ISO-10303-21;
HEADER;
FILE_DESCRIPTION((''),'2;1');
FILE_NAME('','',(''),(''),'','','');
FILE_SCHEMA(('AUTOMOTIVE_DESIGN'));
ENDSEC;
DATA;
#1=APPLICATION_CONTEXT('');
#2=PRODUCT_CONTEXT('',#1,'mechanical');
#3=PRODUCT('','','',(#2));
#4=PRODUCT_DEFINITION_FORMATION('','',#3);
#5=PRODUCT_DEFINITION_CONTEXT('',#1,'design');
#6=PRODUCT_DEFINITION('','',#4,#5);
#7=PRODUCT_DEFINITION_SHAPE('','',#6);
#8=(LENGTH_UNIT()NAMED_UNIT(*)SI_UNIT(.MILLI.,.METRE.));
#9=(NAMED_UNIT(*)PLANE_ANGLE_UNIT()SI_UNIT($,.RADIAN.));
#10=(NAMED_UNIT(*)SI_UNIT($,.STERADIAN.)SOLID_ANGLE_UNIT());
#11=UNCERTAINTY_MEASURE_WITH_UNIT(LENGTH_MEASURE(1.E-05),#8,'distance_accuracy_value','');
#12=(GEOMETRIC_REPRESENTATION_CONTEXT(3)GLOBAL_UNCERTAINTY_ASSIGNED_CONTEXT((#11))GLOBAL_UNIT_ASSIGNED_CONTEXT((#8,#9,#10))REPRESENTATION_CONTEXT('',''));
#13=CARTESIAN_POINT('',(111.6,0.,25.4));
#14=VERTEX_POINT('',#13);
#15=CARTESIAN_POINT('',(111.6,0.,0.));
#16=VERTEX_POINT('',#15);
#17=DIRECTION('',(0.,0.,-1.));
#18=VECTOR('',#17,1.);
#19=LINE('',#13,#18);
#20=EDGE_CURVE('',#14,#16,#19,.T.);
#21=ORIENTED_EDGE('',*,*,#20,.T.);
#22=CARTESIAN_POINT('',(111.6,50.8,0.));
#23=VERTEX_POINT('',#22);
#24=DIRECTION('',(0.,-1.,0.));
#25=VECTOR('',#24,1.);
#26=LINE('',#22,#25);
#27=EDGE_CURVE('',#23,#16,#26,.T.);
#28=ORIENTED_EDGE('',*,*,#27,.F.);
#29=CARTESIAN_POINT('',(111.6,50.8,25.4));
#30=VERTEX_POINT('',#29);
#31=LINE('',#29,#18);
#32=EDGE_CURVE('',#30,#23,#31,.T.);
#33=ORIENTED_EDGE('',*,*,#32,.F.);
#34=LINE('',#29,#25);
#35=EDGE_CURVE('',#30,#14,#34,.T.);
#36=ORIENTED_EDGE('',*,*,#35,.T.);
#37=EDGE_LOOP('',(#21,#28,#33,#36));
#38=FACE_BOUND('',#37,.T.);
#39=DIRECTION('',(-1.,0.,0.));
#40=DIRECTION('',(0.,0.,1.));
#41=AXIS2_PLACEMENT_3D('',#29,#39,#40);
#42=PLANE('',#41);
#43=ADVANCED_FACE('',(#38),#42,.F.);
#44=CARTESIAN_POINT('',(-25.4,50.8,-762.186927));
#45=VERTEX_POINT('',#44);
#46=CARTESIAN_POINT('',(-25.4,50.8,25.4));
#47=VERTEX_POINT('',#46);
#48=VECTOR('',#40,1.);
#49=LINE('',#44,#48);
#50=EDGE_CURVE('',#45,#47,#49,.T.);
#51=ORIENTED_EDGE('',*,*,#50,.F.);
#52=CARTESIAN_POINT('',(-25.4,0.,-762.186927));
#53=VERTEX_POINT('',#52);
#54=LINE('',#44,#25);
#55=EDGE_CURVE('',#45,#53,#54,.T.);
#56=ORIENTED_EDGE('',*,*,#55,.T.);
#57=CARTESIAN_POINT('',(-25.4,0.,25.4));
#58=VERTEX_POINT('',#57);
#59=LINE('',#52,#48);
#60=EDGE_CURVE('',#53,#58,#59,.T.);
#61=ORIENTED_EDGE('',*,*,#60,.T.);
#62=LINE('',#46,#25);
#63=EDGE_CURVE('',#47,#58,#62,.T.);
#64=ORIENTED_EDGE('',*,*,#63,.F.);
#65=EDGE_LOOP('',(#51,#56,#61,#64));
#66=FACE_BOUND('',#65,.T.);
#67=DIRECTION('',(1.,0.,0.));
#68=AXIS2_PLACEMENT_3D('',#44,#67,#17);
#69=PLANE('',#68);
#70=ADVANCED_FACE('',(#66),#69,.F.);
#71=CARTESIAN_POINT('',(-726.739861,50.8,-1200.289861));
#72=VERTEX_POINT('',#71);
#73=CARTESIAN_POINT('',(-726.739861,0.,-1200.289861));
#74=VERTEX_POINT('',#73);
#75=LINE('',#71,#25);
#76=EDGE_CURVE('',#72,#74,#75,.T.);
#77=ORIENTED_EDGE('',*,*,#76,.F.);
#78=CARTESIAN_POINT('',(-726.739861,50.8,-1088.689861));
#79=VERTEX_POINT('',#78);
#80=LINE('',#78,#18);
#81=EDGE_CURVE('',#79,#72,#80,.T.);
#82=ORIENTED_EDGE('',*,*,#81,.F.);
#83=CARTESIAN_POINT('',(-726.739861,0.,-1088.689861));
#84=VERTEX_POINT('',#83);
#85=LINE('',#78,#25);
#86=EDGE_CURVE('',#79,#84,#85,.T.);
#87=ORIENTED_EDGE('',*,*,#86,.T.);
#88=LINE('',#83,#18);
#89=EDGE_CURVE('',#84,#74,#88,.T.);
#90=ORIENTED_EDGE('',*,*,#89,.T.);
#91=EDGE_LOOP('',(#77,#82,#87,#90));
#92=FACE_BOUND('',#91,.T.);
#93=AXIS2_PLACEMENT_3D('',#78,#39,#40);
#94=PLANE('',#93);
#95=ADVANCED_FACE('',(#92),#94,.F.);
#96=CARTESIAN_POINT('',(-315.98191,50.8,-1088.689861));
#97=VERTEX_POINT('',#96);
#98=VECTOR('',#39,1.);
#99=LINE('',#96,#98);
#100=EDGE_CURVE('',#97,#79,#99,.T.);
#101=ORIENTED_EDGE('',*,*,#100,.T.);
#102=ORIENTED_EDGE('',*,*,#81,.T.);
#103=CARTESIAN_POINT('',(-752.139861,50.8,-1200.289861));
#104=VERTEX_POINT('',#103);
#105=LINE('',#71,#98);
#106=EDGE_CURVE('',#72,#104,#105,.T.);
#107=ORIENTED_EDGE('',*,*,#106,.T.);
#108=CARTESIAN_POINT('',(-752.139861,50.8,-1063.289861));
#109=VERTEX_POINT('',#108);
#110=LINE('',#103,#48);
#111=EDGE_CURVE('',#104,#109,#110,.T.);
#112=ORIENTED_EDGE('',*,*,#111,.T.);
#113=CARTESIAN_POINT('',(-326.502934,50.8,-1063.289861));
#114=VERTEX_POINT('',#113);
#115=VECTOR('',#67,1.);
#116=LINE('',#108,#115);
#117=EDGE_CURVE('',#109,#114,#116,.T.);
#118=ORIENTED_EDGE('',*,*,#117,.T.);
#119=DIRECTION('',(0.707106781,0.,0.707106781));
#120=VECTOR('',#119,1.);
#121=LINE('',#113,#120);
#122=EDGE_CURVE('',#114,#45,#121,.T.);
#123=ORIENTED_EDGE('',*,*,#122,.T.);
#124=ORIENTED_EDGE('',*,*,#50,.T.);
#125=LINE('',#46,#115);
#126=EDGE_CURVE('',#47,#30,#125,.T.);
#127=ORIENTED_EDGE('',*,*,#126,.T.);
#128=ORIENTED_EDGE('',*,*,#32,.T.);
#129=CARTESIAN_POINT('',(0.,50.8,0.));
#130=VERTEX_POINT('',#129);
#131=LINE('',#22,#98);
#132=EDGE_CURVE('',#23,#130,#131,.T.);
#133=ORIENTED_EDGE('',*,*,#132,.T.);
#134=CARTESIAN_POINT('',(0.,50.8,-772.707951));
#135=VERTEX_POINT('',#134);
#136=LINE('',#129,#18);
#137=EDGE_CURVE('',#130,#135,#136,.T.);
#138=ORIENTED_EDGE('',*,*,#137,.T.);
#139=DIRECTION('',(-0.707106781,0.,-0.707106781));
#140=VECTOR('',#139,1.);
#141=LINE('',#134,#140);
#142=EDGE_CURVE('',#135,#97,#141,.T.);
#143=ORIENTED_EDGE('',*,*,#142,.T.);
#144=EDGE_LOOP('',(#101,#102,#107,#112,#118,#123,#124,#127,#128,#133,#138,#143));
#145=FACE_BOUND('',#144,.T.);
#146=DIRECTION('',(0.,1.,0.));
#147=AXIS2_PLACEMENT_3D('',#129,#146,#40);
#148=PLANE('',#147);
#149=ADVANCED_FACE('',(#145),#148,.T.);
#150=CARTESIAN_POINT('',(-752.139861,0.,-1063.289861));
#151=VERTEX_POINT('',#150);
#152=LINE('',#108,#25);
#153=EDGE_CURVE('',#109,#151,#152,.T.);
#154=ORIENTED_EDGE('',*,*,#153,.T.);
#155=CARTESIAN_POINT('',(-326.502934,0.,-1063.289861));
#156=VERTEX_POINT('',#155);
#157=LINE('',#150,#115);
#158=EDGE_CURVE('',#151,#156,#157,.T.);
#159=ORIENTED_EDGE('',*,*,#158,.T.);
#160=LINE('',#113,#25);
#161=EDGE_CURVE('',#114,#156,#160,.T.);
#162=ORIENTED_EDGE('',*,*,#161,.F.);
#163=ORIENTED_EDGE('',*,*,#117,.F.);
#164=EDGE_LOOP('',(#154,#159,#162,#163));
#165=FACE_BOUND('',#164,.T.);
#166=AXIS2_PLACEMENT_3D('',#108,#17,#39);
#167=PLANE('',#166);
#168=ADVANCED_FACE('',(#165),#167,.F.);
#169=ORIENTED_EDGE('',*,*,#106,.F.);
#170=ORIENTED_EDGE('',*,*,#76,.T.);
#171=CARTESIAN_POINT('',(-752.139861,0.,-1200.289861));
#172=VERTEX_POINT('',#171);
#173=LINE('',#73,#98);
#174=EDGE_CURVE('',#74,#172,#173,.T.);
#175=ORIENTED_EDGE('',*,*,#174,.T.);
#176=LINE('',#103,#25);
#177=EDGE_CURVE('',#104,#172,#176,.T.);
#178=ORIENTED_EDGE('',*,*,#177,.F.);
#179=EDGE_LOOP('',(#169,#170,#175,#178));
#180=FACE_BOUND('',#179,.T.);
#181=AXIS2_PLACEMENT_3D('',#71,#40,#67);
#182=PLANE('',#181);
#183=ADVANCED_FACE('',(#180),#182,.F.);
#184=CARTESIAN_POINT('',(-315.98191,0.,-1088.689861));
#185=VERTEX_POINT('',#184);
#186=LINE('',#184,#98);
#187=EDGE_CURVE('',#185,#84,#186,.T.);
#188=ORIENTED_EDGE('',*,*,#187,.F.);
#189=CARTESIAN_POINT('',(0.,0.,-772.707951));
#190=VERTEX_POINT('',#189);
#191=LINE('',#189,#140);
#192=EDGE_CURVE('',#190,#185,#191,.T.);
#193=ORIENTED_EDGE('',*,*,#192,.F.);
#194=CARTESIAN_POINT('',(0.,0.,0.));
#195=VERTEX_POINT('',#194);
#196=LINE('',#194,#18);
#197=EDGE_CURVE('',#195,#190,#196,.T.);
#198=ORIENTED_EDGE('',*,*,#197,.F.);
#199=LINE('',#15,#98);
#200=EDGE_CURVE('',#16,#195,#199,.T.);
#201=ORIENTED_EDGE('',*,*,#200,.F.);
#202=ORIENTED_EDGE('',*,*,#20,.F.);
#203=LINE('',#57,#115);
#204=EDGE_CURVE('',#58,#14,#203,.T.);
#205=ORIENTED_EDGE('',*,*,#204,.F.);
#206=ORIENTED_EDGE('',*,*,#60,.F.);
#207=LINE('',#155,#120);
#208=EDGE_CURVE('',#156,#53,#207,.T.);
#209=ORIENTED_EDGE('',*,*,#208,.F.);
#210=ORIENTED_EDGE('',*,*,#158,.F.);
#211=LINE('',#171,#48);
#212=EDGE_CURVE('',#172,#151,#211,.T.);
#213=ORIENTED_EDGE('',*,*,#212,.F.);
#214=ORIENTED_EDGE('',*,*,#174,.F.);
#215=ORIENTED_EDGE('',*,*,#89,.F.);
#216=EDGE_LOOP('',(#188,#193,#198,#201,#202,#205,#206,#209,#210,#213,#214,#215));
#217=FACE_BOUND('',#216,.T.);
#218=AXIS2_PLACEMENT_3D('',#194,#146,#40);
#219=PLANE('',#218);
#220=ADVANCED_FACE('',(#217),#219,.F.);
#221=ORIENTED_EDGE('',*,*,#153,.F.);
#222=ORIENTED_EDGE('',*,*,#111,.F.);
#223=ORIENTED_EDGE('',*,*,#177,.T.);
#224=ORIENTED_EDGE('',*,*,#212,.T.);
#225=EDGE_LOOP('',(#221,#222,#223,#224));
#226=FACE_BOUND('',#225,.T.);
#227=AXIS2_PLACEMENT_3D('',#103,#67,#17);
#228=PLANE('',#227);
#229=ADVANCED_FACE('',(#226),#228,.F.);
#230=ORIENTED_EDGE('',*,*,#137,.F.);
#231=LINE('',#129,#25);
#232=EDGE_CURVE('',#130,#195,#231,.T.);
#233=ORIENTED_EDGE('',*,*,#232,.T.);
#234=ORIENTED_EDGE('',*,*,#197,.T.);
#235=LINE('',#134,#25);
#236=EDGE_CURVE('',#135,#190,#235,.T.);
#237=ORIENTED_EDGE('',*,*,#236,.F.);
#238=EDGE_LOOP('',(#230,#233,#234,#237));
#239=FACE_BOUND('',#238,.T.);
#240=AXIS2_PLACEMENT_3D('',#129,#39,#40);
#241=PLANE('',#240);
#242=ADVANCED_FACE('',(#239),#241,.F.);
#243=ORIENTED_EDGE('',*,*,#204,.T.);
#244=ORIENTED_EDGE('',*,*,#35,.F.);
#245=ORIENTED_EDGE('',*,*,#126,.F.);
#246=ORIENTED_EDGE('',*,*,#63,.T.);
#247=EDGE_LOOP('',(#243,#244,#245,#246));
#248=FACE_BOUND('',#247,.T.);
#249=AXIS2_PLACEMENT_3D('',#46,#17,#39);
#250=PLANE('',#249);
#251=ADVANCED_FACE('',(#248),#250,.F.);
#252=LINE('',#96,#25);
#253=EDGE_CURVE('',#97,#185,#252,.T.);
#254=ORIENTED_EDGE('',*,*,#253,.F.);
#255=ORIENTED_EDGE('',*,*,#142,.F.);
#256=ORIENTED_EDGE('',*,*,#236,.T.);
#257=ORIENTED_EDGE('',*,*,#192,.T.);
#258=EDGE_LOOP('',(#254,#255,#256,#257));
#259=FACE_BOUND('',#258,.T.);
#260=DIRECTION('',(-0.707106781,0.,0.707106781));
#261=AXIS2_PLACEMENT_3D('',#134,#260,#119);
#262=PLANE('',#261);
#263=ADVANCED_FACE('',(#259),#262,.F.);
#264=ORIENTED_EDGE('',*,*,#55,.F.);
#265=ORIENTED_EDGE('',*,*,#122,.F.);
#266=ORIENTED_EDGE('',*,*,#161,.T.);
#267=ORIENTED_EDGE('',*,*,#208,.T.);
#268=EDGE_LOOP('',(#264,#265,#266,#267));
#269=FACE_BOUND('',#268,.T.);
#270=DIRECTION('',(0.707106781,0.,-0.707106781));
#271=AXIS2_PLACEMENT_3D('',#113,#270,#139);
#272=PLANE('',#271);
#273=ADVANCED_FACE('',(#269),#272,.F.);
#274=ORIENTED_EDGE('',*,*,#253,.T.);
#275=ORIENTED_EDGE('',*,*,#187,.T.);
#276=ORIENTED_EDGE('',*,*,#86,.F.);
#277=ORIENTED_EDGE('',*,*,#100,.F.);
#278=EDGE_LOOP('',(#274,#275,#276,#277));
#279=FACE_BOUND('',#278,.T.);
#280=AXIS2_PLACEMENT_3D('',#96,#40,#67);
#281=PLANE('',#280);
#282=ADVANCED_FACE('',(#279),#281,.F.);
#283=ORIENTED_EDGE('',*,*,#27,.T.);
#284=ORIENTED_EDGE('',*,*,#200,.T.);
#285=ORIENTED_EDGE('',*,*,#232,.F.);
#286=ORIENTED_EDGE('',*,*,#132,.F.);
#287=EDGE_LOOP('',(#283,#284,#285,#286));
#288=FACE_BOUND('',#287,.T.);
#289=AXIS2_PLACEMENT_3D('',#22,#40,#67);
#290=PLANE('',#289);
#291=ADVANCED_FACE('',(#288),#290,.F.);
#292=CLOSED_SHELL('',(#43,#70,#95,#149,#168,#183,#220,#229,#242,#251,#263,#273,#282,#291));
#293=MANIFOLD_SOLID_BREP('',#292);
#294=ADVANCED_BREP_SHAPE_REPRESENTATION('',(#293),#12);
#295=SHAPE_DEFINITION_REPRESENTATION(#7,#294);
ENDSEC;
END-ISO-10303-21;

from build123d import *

# Parameters (mm, degrees)
BOSS_EXTRUDE1_DEPTH = 50.8


with BuildPart() as part:
    # Sketch1 → Boss-Extrude1 (new body)
    with BuildSketch(Plane(origin=(0, 0, 0), x_dir=(1, 0, 0), z_dir=(0, 1, 0))):
        Polygon((0, 0), (0, 772.707951031), (-315.98190963, 1088.689860661), (-726.739860661, 1088.689860661), (-726.739860661, 1200.289860661), (-752.139860661, 1200.289860661), (-752.139860661, 1063.289860661), (-326.502934114, 1063.289860661), (-25.4, 762.186926547), (-25.4, -25.4), (111.6, -25.4), (111.6, 0), align=None)
    extrude(amount=BOSS_EXTRUDE1_DEPTH)


solid = part.part
